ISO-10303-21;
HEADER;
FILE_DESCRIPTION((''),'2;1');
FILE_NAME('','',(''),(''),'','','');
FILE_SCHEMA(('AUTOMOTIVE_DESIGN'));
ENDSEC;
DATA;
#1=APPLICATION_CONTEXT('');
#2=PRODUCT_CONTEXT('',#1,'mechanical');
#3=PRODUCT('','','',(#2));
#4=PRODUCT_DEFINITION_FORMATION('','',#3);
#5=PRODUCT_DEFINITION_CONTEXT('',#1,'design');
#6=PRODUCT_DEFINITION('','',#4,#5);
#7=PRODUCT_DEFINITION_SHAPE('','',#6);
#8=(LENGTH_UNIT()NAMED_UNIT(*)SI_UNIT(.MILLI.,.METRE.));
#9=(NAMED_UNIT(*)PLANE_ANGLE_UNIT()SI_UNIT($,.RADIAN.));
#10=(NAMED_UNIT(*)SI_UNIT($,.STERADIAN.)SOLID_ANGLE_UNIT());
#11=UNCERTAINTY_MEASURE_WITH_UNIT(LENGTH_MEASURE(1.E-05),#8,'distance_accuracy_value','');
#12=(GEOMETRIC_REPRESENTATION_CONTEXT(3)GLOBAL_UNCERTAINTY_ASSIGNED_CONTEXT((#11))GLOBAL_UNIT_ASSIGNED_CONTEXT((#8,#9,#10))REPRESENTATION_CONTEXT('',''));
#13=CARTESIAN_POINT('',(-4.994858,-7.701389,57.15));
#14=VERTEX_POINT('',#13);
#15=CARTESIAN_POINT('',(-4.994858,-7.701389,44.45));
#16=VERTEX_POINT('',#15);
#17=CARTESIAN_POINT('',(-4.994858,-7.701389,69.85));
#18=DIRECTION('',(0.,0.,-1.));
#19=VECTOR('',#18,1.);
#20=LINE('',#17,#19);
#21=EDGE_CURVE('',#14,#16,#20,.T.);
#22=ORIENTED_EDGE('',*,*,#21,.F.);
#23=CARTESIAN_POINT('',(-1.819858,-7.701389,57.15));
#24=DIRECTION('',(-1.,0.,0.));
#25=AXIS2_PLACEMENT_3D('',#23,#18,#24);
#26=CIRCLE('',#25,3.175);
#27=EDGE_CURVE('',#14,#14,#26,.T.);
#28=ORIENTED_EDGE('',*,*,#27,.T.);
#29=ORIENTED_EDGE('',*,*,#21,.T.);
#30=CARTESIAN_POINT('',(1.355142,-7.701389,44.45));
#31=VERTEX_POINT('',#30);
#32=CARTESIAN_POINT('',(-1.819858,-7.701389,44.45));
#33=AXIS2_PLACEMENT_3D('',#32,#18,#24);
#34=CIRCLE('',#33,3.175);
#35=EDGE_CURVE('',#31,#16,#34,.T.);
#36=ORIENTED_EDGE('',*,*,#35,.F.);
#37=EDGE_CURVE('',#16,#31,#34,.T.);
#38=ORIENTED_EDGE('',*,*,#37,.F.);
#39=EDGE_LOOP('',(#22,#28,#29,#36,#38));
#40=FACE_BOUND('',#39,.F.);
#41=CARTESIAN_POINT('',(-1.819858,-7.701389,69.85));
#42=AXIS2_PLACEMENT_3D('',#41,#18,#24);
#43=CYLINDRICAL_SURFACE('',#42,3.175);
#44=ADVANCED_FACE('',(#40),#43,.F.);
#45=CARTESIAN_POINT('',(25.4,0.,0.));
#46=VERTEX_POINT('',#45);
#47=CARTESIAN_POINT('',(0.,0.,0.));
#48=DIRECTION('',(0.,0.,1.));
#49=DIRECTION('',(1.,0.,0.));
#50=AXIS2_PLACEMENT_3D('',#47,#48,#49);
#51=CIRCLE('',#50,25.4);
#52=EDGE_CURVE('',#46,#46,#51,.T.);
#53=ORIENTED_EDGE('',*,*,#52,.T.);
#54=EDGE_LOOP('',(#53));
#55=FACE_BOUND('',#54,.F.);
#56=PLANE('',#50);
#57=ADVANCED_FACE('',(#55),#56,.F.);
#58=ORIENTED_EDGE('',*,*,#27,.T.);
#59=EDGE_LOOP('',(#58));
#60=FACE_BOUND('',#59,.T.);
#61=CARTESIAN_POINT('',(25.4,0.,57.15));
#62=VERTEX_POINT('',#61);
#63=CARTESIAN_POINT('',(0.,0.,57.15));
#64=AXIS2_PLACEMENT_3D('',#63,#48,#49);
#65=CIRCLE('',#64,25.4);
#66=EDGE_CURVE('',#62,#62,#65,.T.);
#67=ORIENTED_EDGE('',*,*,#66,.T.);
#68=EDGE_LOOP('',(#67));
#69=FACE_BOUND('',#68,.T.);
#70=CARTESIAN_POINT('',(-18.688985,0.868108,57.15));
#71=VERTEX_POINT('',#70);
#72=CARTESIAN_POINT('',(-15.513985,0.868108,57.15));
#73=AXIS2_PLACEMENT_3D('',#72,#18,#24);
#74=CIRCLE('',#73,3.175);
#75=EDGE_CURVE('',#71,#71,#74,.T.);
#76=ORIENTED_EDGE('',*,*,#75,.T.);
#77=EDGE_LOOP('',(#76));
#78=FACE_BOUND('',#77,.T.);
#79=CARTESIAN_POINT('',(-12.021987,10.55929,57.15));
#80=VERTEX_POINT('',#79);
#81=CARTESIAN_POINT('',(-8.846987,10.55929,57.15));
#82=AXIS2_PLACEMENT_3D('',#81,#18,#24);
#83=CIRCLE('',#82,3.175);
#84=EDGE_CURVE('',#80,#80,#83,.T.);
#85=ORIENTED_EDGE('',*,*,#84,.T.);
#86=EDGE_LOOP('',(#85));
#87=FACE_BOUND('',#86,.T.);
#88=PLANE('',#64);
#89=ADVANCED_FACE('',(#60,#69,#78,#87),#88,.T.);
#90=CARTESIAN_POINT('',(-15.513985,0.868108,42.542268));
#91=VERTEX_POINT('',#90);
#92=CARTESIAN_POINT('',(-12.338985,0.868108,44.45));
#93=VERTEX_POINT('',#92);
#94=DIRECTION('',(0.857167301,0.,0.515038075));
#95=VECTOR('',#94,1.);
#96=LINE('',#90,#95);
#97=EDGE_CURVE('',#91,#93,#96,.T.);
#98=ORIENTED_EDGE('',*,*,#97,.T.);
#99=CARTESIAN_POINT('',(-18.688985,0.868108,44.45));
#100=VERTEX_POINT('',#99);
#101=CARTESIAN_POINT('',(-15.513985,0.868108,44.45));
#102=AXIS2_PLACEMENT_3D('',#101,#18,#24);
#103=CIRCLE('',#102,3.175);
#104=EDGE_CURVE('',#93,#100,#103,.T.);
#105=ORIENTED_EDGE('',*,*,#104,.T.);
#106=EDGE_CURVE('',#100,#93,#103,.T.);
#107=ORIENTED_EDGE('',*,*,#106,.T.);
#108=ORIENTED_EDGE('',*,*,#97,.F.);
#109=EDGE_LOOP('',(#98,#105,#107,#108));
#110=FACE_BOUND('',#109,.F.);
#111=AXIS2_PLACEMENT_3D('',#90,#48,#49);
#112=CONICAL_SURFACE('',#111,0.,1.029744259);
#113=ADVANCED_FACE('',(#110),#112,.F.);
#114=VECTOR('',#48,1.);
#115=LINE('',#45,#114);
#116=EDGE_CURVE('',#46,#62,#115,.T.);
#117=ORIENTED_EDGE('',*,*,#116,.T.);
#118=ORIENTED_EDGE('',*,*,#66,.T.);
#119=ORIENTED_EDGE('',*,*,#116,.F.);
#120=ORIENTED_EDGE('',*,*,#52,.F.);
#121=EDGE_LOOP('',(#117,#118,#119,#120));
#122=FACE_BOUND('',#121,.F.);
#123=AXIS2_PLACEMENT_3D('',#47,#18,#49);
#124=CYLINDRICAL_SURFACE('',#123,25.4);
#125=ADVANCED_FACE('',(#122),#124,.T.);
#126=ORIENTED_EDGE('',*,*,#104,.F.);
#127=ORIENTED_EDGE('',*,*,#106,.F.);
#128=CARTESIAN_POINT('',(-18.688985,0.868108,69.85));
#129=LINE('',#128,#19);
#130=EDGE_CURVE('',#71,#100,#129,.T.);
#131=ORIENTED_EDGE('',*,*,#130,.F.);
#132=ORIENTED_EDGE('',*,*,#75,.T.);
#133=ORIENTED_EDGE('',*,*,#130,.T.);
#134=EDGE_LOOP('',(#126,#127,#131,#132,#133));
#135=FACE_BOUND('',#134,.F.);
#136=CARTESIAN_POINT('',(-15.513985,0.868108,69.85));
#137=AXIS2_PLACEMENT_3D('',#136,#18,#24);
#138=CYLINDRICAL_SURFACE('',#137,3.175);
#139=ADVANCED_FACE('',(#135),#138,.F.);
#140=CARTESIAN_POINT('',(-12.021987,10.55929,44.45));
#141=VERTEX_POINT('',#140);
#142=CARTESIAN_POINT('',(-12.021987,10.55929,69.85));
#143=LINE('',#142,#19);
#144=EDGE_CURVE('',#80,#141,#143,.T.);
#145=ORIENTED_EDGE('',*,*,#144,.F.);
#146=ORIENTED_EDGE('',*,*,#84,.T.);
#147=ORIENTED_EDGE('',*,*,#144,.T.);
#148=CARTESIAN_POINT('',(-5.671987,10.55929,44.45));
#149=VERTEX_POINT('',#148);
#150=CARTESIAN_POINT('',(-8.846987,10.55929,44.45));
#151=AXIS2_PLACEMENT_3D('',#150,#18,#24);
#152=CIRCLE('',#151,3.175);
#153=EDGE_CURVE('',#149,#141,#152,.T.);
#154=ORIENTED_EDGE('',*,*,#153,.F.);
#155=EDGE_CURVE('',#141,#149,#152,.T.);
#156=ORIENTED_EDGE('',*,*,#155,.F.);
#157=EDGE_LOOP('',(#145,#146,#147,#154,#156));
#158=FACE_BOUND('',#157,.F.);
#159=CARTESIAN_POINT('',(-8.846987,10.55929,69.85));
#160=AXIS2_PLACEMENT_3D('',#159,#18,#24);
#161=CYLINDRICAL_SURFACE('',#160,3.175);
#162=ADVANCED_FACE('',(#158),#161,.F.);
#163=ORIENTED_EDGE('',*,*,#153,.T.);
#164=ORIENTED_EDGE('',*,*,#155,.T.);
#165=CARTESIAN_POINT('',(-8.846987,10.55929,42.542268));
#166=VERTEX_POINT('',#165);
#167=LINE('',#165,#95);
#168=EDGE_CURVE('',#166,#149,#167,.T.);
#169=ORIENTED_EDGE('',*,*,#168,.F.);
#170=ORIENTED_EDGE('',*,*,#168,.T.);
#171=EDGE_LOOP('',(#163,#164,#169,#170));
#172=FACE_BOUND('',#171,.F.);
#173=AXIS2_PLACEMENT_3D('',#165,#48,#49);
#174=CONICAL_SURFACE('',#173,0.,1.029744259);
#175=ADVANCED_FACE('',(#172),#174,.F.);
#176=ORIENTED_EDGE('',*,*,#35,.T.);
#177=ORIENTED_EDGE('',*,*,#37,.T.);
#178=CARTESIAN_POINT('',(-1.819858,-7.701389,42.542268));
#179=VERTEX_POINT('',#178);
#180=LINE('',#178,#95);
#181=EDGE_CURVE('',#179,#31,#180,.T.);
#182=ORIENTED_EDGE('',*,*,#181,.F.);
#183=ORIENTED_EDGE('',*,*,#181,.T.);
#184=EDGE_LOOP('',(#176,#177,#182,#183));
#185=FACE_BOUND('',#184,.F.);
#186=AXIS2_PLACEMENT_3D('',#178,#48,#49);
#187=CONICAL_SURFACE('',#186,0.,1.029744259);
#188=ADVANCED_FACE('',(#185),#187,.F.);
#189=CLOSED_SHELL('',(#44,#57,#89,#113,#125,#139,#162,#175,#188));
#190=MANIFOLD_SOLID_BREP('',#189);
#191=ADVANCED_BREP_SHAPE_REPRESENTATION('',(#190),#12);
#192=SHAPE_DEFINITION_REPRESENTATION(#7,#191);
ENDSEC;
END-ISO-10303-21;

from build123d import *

# Parameters (mm, degrees)
F0_R     = 25.4
F2_DEPTH = 57.15
F4_D     = 6.35
F4_DEPTH = 12.7
F4_TIP   = 1.9077324654


with BuildPart() as f2:
    # F0 (on Top) → F2 (new body, through all)
    with BuildSketch(Plane.XY):
        Circle(F0_R)
    extrude(amount=F2_DEPTH)

    # F4
    with Locations(Plane.XY.offset(57.15)):
        with Locations((-8.8469870389, 10.5592897162), (-15.5139854178, 0.8681075997), (-1.8198583275, -7.7013894916)):
            Hole(F4_D / 2, depth=F4_DEPTH)
            with Locations((0, 0, -(F4_DEPTH + F4_TIP / 2))):  # 118° drill point
                Cone(0, F4_D / 2, F4_TIP, mode=Mode.SUBTRACT)


solid = f2.part
